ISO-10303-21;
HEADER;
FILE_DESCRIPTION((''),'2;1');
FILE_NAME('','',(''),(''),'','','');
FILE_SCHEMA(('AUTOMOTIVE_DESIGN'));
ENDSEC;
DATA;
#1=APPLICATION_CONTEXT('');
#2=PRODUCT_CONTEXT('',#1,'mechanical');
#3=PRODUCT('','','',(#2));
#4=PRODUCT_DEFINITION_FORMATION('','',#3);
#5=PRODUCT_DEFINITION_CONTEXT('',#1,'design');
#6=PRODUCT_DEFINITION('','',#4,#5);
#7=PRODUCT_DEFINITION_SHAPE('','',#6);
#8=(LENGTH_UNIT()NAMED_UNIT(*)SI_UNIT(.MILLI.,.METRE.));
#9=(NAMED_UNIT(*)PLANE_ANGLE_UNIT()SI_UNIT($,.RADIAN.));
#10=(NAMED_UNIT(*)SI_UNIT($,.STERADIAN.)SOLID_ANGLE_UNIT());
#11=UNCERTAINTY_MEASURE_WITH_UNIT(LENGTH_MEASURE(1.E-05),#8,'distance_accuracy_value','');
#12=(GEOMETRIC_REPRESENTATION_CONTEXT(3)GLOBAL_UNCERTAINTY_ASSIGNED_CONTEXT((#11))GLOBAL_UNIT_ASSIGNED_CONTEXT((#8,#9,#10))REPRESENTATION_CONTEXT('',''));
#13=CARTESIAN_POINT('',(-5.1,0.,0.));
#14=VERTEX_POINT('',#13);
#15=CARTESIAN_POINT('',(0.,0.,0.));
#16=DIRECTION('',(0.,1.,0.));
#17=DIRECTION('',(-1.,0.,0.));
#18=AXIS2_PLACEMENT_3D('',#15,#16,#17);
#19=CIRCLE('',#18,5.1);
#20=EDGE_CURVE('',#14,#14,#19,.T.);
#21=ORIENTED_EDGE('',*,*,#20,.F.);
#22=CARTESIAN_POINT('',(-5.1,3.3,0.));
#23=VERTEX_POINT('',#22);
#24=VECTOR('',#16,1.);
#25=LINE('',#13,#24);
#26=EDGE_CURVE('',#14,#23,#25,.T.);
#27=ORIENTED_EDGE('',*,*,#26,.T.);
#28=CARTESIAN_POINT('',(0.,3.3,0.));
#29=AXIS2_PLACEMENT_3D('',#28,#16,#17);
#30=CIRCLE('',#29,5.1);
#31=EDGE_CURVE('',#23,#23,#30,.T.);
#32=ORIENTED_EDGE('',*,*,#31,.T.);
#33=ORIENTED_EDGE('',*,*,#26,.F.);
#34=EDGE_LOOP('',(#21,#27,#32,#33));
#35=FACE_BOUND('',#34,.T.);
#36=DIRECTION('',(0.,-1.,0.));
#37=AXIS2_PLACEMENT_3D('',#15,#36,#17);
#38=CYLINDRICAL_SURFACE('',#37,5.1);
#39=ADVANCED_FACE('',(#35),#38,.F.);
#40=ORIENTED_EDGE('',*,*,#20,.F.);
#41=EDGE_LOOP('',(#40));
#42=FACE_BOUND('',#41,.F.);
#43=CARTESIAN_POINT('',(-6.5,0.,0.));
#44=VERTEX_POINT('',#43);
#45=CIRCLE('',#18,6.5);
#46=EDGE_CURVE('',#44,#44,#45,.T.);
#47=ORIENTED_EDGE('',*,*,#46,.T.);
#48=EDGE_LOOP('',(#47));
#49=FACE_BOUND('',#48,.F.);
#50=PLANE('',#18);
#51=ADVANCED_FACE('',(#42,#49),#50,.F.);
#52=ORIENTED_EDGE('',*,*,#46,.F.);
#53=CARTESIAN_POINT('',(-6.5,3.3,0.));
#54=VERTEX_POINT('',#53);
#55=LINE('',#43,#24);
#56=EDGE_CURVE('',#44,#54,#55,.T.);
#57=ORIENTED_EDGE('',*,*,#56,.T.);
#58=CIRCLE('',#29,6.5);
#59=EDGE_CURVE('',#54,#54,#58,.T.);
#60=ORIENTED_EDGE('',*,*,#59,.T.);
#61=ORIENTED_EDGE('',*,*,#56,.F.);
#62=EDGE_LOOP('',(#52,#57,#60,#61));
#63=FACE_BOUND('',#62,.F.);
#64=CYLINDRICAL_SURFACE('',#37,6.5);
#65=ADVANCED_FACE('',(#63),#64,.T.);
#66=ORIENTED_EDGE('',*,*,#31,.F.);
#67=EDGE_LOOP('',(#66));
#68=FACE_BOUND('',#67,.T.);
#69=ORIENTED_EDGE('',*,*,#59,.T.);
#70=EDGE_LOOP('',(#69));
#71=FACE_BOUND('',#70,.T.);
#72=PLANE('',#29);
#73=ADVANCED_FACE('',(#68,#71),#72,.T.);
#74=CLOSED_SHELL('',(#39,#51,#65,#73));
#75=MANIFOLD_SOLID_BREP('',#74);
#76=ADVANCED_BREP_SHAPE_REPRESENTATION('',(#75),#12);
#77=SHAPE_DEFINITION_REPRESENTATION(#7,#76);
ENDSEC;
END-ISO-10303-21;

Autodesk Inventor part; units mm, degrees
ref_plane "YZ Plane" through (0, 0, 0) normal (1, 0, 0) x (0, 1, 0)
ref_plane "XZ Plane" through (0, 0, 0) normal (0, 1, 0) x (-1, 0, 0)
ref_plane "XY Plane" through (0, 0, 0) normal (0, 0, 1) x (1, 0, 0)
sketch "Sketch1" plane through (0, 0, 0) normal (0, 1, 0) x (-1, 0, 0)
  circle A0 centre (0, 0) radius 5.1
  circle A1 centre (0, 0) radius 6.5
  dimension "d0" = 10.2
  dimension "d1" = 13
extrude "Extrusion1" add sketch "Sketch1" along normal blind 3.3
properties part number "InputSpacer"
